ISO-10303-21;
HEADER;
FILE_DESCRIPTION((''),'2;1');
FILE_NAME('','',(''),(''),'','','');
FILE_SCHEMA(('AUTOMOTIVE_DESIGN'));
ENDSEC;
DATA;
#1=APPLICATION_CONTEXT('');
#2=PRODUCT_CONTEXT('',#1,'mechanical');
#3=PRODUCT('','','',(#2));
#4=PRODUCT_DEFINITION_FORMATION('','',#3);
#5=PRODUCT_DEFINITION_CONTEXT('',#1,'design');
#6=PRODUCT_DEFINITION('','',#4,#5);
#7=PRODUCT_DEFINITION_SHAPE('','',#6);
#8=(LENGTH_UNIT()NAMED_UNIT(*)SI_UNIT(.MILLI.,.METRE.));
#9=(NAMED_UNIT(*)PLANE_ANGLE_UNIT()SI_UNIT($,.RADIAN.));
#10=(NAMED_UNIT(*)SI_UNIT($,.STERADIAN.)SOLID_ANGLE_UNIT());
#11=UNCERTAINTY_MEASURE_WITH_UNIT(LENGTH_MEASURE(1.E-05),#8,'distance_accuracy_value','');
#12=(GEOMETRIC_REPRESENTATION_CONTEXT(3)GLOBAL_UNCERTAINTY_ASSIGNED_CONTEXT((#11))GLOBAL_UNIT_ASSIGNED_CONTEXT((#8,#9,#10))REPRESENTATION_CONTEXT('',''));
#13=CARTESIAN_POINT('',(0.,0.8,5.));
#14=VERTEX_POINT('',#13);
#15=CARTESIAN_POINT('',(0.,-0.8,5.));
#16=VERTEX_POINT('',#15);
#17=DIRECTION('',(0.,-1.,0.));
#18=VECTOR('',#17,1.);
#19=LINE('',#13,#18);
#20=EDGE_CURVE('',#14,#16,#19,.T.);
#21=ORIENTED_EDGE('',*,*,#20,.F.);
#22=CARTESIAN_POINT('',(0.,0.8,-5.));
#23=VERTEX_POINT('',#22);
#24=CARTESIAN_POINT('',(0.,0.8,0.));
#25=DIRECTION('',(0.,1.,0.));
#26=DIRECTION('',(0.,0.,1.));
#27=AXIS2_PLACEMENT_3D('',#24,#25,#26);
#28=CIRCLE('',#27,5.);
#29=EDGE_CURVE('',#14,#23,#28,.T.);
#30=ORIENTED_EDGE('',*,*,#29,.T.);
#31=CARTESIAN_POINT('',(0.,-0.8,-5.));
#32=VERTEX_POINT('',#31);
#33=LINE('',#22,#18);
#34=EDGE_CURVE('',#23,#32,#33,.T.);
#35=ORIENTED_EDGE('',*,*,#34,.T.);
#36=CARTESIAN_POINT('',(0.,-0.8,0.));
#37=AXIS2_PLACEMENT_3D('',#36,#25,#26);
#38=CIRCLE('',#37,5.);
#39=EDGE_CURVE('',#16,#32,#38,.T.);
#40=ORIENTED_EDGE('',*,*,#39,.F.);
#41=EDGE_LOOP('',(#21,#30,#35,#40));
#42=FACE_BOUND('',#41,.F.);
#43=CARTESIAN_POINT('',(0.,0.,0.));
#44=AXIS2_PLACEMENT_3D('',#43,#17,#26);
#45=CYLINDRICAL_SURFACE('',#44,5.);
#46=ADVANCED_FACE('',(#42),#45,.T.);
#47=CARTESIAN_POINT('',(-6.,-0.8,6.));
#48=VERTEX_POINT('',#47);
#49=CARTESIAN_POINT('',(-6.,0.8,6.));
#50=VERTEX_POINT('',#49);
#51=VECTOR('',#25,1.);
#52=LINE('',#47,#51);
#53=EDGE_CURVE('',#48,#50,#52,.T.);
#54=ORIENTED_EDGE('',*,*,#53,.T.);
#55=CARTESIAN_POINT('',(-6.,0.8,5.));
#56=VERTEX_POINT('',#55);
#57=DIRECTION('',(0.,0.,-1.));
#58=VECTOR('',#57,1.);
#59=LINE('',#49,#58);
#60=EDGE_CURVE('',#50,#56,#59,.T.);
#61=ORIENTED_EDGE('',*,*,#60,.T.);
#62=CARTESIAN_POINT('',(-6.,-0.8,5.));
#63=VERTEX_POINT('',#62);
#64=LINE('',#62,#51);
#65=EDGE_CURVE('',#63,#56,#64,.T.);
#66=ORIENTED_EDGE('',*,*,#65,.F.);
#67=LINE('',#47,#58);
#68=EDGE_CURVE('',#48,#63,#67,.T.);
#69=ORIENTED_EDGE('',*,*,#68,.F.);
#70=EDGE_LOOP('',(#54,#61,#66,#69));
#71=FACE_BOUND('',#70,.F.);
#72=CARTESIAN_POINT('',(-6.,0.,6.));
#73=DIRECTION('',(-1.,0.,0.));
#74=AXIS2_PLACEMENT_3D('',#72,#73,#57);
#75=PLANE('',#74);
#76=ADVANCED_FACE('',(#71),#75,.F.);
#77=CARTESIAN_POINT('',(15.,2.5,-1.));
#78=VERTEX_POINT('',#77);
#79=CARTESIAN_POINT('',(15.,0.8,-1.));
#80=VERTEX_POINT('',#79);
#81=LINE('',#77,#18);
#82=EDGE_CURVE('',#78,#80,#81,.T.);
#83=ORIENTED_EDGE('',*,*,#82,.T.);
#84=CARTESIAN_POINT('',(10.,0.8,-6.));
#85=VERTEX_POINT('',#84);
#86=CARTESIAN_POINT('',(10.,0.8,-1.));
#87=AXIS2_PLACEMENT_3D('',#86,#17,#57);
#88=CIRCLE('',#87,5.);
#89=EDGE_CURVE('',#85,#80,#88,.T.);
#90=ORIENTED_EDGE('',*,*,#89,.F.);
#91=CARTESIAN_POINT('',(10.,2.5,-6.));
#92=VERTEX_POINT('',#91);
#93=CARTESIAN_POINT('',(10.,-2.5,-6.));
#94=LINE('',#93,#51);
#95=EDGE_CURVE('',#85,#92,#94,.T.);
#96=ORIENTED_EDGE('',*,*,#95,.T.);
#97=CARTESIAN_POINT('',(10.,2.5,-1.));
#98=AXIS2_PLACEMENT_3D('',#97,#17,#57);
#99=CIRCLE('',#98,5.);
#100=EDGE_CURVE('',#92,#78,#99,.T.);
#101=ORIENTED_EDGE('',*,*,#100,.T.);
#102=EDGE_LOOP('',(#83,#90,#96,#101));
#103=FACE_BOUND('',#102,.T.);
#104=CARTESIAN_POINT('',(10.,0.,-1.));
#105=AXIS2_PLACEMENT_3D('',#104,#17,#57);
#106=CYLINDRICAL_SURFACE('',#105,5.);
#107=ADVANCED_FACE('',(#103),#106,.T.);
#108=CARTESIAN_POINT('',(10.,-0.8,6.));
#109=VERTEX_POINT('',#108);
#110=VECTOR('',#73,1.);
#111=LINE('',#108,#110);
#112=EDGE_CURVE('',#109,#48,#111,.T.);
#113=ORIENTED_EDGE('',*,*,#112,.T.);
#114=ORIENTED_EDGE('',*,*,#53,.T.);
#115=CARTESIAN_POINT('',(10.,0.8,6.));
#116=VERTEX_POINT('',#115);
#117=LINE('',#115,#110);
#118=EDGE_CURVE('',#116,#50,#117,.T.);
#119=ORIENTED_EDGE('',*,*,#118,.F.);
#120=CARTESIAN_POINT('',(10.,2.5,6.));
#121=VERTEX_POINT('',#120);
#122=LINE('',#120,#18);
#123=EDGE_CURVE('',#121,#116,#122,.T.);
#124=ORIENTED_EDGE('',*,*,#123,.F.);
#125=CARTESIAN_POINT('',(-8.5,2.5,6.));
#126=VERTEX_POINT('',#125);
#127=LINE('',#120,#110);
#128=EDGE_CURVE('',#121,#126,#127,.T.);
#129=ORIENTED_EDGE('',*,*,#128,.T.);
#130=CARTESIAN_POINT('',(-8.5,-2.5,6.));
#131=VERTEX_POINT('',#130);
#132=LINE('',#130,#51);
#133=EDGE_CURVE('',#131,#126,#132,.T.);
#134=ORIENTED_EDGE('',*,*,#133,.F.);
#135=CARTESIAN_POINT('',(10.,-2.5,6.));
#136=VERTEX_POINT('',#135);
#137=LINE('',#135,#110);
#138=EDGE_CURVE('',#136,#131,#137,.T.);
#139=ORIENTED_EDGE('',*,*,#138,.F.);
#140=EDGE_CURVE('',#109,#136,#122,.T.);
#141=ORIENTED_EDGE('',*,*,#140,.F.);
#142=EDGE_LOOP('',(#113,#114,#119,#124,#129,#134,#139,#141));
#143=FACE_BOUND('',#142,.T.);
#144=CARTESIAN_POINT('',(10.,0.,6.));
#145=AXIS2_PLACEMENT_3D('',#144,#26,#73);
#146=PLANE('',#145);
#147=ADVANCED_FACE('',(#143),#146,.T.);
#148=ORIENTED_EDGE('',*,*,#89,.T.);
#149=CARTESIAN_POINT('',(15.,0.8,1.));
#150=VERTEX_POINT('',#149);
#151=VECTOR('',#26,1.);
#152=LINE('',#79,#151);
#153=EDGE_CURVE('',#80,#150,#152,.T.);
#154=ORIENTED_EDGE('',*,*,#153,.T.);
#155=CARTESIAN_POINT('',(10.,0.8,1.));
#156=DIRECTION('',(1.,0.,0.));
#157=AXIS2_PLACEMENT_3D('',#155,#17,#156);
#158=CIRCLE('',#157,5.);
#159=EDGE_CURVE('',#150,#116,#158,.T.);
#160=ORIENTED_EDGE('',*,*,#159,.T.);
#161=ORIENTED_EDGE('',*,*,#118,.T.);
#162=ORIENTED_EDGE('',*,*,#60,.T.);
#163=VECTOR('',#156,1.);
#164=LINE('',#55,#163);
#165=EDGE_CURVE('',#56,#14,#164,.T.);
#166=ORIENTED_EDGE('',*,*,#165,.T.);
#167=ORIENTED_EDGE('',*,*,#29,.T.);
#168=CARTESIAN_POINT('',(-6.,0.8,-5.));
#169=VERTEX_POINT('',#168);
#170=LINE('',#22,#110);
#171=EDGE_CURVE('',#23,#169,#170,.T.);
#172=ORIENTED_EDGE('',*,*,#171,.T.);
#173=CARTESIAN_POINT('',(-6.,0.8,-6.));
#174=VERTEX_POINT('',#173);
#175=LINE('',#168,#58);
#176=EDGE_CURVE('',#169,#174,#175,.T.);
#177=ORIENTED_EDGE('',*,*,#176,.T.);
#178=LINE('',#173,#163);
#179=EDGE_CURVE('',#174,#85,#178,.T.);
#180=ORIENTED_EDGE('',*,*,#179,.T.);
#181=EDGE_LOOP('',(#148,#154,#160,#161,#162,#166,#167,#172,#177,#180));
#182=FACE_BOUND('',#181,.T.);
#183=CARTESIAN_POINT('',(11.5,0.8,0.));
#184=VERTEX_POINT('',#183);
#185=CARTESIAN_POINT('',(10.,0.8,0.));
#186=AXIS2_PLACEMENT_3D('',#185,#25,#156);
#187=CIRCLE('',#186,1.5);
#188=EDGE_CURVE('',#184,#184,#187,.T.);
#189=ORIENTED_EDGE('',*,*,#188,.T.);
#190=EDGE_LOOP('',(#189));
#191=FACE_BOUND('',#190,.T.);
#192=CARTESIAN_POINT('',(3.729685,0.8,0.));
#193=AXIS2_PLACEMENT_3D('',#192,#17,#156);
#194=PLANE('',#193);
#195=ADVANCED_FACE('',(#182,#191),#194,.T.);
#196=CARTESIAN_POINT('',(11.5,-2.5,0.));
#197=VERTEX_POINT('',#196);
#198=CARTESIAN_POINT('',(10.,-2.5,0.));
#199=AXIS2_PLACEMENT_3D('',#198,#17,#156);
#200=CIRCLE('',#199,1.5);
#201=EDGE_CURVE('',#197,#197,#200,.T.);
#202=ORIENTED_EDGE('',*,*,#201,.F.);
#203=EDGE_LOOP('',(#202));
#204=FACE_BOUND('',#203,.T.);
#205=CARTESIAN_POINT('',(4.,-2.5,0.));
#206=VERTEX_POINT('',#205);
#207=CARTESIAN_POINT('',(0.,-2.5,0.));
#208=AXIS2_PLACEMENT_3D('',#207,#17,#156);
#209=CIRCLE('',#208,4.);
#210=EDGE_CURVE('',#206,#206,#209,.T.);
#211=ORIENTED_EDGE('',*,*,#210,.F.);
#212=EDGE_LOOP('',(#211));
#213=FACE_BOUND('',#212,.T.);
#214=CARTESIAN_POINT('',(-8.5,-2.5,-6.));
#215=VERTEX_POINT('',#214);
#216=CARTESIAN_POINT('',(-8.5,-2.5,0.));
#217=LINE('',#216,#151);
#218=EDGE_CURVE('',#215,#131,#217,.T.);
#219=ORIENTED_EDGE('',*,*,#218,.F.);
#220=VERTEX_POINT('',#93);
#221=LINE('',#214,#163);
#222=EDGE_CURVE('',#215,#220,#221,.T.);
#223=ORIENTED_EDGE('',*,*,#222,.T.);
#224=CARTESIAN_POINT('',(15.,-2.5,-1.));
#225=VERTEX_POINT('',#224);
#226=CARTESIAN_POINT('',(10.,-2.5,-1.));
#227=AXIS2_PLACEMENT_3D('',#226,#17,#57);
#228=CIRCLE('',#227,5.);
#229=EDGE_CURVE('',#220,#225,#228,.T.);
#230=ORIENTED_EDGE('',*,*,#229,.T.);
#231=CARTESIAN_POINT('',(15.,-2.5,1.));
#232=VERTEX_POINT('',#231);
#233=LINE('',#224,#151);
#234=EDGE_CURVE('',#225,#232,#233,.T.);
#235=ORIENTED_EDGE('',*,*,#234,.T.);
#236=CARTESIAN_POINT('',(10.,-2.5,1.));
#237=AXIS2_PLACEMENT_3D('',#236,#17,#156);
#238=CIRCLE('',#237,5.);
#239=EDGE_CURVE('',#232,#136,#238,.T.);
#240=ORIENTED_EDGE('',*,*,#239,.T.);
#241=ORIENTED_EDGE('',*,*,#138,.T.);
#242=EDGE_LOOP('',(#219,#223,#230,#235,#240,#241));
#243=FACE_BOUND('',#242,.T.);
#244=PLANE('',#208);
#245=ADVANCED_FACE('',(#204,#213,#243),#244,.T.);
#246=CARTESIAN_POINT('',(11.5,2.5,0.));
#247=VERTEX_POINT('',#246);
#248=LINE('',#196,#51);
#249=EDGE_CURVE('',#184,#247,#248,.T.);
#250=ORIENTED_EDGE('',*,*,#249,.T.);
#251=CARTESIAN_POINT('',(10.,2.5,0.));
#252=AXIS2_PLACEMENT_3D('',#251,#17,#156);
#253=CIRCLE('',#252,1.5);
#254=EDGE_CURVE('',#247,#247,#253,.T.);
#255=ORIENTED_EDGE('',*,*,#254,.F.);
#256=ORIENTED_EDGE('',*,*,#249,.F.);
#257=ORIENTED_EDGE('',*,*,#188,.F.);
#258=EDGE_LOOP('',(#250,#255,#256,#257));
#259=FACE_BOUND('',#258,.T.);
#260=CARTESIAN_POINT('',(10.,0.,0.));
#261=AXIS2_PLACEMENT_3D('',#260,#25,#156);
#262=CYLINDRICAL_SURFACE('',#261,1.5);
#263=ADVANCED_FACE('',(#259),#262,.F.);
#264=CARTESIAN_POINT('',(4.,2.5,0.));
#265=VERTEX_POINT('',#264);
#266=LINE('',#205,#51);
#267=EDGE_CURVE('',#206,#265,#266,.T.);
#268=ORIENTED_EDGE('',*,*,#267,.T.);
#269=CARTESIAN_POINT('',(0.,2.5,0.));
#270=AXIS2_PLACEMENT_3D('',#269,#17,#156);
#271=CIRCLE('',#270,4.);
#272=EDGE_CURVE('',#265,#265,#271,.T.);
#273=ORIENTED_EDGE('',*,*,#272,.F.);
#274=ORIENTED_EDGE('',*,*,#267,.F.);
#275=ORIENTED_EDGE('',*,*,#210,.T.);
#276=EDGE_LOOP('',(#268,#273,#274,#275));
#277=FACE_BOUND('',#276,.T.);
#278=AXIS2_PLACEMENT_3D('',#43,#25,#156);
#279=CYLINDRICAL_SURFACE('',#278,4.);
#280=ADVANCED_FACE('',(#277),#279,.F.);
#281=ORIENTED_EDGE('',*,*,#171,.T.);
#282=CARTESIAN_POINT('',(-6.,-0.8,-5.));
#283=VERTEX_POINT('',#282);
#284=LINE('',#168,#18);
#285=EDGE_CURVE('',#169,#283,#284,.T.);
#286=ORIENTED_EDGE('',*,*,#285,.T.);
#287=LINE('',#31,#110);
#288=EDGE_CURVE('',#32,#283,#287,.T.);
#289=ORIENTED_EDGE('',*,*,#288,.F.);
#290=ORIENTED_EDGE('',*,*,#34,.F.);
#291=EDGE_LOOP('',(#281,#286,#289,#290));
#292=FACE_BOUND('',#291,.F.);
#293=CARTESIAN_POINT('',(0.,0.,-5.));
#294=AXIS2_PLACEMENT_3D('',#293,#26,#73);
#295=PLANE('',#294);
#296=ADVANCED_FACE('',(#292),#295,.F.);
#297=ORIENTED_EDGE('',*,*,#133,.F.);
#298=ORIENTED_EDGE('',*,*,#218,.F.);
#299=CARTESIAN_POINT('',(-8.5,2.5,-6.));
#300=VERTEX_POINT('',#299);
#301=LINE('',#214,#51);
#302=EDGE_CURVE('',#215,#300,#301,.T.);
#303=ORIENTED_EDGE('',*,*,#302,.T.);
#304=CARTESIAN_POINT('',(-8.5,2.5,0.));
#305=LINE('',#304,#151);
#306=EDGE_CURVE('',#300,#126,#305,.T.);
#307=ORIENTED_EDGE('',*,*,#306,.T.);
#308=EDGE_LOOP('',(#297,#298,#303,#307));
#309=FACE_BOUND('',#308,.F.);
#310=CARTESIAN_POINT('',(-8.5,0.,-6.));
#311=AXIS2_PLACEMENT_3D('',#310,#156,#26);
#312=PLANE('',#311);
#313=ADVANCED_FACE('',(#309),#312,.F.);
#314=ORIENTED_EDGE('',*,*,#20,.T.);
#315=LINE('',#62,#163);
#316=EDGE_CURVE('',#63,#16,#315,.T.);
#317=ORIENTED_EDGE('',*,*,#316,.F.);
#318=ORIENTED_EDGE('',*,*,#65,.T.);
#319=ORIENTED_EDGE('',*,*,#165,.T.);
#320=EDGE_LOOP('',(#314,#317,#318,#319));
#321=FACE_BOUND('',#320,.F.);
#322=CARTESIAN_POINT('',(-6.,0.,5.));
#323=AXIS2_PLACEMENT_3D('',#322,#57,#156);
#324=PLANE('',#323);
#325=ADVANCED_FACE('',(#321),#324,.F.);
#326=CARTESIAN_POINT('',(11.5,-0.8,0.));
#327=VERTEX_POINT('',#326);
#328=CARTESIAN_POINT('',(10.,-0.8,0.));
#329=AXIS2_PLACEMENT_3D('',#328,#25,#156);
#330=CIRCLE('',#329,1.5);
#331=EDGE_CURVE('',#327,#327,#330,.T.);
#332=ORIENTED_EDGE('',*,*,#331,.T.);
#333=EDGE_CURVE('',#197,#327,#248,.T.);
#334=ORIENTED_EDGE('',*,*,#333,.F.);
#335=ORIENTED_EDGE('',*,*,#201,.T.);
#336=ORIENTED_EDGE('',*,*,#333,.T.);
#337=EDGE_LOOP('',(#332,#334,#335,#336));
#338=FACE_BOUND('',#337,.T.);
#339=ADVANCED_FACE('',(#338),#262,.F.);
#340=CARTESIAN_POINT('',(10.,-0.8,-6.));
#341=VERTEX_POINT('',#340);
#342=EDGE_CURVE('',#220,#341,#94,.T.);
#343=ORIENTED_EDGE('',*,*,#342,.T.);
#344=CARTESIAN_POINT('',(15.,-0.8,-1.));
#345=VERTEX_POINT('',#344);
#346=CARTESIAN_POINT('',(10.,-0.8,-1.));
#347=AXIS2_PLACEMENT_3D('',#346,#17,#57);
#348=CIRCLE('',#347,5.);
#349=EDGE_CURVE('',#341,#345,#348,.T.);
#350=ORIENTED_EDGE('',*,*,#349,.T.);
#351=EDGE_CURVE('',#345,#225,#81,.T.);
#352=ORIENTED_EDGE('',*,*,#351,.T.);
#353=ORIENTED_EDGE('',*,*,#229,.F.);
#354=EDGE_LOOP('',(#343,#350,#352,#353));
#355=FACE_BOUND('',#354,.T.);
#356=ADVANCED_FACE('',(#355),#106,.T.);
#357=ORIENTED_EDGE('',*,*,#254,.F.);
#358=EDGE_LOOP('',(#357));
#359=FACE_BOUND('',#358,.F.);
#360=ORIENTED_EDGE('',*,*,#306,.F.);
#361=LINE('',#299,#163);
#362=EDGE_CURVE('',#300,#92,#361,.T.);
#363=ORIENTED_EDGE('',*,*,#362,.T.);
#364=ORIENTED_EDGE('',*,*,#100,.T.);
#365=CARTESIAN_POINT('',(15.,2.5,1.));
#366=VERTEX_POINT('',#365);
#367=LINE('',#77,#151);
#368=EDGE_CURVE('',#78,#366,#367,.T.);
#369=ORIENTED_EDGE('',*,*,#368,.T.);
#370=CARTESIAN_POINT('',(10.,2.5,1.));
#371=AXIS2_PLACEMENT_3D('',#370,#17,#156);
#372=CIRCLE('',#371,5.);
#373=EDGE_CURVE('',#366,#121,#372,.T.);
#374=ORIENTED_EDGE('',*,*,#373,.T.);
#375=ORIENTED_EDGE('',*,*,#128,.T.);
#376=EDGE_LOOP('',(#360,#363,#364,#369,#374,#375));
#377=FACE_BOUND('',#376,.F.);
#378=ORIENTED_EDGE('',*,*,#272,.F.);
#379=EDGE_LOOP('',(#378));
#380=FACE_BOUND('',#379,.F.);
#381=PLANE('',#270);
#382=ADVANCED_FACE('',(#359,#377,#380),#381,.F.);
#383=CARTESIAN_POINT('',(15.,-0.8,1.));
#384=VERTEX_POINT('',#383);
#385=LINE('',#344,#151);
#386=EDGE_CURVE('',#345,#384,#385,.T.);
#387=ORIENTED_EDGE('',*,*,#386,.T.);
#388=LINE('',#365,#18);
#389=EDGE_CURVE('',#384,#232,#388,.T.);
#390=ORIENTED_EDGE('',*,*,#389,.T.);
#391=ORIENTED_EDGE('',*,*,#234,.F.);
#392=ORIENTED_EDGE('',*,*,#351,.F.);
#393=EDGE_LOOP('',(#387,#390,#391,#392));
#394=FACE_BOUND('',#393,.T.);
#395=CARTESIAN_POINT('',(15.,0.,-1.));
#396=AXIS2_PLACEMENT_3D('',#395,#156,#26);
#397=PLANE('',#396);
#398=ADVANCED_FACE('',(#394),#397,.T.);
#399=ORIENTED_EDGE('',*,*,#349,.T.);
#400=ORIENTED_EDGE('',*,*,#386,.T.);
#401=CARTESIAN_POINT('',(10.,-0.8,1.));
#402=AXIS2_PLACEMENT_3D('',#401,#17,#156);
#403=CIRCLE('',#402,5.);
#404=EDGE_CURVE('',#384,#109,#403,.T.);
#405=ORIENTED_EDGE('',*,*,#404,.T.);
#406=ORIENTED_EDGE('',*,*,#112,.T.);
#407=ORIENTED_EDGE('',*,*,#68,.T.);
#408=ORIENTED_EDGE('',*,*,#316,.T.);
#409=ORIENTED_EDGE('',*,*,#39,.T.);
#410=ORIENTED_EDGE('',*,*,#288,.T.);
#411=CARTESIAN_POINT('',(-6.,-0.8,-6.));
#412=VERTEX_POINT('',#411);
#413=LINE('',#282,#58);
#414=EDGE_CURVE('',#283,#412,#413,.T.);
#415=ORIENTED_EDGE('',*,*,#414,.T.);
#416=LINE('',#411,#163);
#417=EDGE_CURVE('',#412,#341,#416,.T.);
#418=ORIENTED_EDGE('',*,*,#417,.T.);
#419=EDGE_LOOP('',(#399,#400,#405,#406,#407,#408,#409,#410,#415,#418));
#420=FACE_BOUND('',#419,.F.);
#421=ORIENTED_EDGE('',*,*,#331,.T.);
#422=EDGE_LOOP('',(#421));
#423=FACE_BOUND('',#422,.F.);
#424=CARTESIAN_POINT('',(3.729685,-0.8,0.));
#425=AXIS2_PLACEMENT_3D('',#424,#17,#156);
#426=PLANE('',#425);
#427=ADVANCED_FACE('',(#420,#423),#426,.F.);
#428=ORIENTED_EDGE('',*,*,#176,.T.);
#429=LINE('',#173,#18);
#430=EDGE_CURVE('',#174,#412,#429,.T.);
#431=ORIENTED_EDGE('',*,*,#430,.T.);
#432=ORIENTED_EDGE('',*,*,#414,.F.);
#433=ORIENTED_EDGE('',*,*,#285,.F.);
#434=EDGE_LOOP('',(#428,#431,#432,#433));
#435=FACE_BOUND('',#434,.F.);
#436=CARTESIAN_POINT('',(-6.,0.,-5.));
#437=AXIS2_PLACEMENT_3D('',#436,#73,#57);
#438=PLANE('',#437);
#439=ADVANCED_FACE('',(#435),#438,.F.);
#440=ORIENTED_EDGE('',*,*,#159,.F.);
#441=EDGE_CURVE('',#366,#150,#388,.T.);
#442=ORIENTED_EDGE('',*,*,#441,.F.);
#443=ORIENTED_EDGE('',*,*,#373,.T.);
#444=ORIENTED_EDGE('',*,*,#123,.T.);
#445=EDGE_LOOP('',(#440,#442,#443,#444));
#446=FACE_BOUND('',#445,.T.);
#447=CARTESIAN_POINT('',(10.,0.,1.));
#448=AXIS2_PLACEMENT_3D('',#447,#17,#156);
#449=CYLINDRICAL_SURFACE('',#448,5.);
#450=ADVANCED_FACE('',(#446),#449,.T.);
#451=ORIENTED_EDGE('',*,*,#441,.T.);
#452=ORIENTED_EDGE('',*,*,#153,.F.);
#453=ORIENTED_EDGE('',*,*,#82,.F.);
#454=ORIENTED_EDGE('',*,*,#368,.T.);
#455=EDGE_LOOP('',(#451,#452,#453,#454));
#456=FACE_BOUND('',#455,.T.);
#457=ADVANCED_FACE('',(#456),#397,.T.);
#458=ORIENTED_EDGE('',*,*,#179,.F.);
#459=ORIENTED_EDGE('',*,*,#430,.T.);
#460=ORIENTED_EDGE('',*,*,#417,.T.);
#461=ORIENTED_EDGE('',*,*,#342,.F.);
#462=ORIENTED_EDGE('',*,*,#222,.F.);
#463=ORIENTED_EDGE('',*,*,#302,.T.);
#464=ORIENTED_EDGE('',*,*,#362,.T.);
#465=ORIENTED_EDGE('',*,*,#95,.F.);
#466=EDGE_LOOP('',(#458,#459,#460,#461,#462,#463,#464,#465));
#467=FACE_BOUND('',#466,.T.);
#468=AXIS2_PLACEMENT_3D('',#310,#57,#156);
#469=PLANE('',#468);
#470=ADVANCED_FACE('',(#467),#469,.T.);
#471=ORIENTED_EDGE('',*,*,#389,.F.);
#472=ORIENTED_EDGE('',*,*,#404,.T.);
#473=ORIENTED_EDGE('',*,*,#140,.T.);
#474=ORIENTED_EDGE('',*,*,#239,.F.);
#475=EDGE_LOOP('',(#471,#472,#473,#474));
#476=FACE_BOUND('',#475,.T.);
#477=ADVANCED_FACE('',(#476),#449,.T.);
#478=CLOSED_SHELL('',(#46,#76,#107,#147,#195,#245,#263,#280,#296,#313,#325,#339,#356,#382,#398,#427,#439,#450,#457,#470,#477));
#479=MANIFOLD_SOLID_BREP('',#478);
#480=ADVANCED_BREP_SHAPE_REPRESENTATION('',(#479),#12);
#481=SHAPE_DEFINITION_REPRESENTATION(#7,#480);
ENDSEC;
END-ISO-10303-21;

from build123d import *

# Parameters (mm, degrees)
F0_W     = 12
F0_H     = 12
F0_R     = 4
F0_R_2   = 1.5
F0_W_2   = 2.5
F1_DEPTH = 2.5
F3_DEPTH = 0.8


with BuildPart() as f1:
    # F0 (on Front) → F1 (new body, symmetric)
    with BuildSketch(Plane.XZ):
        Rectangle(F0_W, F0_H)
        Circle(F0_R, mode=Mode.SUBTRACT)
        with BuildLine():
            Line((10, 6), (6, 6))
            Line((6, 6), (6, -6))
            Line((6, -6), (10, -6))
            ThreePointArc((10, -6), (13.5355339059, -4.5355339059), (15, -1))
            Line((15, -1), (15, 0))
            Line((15, 0), (15, 1))
            ThreePointArc((15, 1), (13.5355339059, 4.5355339059), (10, 6))
        make_face()
        with Locations((10, 0)):
            Circle(F0_R_2, mode=Mode.SUBTRACT)
        with Locations((-7.25, 0)):
            Rectangle(F0_W_2, F0_H)
    extrude(amount=F1_DEPTH, both=True)

    # F2 (on Front) → F3 (cut, symmetric)
    with BuildSketch(Plane.XZ):
        with BuildLine():
            Line((-6, 5), (0, 5))
            ThreePointArc((0, 5), (5, 0), (0, -5))
            Line((0, -5), (-6, -5))
            Line((-6, -5), (-6, -6))
            Line((-6, -6), (6, -6))
            Line((6, -6), (10, -6))
            ThreePointArc((10, -6), (13.5355339059, -4.5355339059), (15, -1))
            Line((15, -1), (15, 0))
            Line((15, 0), (15, 1))
            ThreePointArc((15, 1), (13.5355339059, 4.5355339059), (10, 6))
            Line((10, 6), (6, 6))
            Line((6, 6), (-6, 6))
            Line((-6, 6), (-6, 5))
        make_face()
    extrude(amount=F3_DEPTH, both=True, mode=Mode.SUBTRACT)


solid = f1.part
